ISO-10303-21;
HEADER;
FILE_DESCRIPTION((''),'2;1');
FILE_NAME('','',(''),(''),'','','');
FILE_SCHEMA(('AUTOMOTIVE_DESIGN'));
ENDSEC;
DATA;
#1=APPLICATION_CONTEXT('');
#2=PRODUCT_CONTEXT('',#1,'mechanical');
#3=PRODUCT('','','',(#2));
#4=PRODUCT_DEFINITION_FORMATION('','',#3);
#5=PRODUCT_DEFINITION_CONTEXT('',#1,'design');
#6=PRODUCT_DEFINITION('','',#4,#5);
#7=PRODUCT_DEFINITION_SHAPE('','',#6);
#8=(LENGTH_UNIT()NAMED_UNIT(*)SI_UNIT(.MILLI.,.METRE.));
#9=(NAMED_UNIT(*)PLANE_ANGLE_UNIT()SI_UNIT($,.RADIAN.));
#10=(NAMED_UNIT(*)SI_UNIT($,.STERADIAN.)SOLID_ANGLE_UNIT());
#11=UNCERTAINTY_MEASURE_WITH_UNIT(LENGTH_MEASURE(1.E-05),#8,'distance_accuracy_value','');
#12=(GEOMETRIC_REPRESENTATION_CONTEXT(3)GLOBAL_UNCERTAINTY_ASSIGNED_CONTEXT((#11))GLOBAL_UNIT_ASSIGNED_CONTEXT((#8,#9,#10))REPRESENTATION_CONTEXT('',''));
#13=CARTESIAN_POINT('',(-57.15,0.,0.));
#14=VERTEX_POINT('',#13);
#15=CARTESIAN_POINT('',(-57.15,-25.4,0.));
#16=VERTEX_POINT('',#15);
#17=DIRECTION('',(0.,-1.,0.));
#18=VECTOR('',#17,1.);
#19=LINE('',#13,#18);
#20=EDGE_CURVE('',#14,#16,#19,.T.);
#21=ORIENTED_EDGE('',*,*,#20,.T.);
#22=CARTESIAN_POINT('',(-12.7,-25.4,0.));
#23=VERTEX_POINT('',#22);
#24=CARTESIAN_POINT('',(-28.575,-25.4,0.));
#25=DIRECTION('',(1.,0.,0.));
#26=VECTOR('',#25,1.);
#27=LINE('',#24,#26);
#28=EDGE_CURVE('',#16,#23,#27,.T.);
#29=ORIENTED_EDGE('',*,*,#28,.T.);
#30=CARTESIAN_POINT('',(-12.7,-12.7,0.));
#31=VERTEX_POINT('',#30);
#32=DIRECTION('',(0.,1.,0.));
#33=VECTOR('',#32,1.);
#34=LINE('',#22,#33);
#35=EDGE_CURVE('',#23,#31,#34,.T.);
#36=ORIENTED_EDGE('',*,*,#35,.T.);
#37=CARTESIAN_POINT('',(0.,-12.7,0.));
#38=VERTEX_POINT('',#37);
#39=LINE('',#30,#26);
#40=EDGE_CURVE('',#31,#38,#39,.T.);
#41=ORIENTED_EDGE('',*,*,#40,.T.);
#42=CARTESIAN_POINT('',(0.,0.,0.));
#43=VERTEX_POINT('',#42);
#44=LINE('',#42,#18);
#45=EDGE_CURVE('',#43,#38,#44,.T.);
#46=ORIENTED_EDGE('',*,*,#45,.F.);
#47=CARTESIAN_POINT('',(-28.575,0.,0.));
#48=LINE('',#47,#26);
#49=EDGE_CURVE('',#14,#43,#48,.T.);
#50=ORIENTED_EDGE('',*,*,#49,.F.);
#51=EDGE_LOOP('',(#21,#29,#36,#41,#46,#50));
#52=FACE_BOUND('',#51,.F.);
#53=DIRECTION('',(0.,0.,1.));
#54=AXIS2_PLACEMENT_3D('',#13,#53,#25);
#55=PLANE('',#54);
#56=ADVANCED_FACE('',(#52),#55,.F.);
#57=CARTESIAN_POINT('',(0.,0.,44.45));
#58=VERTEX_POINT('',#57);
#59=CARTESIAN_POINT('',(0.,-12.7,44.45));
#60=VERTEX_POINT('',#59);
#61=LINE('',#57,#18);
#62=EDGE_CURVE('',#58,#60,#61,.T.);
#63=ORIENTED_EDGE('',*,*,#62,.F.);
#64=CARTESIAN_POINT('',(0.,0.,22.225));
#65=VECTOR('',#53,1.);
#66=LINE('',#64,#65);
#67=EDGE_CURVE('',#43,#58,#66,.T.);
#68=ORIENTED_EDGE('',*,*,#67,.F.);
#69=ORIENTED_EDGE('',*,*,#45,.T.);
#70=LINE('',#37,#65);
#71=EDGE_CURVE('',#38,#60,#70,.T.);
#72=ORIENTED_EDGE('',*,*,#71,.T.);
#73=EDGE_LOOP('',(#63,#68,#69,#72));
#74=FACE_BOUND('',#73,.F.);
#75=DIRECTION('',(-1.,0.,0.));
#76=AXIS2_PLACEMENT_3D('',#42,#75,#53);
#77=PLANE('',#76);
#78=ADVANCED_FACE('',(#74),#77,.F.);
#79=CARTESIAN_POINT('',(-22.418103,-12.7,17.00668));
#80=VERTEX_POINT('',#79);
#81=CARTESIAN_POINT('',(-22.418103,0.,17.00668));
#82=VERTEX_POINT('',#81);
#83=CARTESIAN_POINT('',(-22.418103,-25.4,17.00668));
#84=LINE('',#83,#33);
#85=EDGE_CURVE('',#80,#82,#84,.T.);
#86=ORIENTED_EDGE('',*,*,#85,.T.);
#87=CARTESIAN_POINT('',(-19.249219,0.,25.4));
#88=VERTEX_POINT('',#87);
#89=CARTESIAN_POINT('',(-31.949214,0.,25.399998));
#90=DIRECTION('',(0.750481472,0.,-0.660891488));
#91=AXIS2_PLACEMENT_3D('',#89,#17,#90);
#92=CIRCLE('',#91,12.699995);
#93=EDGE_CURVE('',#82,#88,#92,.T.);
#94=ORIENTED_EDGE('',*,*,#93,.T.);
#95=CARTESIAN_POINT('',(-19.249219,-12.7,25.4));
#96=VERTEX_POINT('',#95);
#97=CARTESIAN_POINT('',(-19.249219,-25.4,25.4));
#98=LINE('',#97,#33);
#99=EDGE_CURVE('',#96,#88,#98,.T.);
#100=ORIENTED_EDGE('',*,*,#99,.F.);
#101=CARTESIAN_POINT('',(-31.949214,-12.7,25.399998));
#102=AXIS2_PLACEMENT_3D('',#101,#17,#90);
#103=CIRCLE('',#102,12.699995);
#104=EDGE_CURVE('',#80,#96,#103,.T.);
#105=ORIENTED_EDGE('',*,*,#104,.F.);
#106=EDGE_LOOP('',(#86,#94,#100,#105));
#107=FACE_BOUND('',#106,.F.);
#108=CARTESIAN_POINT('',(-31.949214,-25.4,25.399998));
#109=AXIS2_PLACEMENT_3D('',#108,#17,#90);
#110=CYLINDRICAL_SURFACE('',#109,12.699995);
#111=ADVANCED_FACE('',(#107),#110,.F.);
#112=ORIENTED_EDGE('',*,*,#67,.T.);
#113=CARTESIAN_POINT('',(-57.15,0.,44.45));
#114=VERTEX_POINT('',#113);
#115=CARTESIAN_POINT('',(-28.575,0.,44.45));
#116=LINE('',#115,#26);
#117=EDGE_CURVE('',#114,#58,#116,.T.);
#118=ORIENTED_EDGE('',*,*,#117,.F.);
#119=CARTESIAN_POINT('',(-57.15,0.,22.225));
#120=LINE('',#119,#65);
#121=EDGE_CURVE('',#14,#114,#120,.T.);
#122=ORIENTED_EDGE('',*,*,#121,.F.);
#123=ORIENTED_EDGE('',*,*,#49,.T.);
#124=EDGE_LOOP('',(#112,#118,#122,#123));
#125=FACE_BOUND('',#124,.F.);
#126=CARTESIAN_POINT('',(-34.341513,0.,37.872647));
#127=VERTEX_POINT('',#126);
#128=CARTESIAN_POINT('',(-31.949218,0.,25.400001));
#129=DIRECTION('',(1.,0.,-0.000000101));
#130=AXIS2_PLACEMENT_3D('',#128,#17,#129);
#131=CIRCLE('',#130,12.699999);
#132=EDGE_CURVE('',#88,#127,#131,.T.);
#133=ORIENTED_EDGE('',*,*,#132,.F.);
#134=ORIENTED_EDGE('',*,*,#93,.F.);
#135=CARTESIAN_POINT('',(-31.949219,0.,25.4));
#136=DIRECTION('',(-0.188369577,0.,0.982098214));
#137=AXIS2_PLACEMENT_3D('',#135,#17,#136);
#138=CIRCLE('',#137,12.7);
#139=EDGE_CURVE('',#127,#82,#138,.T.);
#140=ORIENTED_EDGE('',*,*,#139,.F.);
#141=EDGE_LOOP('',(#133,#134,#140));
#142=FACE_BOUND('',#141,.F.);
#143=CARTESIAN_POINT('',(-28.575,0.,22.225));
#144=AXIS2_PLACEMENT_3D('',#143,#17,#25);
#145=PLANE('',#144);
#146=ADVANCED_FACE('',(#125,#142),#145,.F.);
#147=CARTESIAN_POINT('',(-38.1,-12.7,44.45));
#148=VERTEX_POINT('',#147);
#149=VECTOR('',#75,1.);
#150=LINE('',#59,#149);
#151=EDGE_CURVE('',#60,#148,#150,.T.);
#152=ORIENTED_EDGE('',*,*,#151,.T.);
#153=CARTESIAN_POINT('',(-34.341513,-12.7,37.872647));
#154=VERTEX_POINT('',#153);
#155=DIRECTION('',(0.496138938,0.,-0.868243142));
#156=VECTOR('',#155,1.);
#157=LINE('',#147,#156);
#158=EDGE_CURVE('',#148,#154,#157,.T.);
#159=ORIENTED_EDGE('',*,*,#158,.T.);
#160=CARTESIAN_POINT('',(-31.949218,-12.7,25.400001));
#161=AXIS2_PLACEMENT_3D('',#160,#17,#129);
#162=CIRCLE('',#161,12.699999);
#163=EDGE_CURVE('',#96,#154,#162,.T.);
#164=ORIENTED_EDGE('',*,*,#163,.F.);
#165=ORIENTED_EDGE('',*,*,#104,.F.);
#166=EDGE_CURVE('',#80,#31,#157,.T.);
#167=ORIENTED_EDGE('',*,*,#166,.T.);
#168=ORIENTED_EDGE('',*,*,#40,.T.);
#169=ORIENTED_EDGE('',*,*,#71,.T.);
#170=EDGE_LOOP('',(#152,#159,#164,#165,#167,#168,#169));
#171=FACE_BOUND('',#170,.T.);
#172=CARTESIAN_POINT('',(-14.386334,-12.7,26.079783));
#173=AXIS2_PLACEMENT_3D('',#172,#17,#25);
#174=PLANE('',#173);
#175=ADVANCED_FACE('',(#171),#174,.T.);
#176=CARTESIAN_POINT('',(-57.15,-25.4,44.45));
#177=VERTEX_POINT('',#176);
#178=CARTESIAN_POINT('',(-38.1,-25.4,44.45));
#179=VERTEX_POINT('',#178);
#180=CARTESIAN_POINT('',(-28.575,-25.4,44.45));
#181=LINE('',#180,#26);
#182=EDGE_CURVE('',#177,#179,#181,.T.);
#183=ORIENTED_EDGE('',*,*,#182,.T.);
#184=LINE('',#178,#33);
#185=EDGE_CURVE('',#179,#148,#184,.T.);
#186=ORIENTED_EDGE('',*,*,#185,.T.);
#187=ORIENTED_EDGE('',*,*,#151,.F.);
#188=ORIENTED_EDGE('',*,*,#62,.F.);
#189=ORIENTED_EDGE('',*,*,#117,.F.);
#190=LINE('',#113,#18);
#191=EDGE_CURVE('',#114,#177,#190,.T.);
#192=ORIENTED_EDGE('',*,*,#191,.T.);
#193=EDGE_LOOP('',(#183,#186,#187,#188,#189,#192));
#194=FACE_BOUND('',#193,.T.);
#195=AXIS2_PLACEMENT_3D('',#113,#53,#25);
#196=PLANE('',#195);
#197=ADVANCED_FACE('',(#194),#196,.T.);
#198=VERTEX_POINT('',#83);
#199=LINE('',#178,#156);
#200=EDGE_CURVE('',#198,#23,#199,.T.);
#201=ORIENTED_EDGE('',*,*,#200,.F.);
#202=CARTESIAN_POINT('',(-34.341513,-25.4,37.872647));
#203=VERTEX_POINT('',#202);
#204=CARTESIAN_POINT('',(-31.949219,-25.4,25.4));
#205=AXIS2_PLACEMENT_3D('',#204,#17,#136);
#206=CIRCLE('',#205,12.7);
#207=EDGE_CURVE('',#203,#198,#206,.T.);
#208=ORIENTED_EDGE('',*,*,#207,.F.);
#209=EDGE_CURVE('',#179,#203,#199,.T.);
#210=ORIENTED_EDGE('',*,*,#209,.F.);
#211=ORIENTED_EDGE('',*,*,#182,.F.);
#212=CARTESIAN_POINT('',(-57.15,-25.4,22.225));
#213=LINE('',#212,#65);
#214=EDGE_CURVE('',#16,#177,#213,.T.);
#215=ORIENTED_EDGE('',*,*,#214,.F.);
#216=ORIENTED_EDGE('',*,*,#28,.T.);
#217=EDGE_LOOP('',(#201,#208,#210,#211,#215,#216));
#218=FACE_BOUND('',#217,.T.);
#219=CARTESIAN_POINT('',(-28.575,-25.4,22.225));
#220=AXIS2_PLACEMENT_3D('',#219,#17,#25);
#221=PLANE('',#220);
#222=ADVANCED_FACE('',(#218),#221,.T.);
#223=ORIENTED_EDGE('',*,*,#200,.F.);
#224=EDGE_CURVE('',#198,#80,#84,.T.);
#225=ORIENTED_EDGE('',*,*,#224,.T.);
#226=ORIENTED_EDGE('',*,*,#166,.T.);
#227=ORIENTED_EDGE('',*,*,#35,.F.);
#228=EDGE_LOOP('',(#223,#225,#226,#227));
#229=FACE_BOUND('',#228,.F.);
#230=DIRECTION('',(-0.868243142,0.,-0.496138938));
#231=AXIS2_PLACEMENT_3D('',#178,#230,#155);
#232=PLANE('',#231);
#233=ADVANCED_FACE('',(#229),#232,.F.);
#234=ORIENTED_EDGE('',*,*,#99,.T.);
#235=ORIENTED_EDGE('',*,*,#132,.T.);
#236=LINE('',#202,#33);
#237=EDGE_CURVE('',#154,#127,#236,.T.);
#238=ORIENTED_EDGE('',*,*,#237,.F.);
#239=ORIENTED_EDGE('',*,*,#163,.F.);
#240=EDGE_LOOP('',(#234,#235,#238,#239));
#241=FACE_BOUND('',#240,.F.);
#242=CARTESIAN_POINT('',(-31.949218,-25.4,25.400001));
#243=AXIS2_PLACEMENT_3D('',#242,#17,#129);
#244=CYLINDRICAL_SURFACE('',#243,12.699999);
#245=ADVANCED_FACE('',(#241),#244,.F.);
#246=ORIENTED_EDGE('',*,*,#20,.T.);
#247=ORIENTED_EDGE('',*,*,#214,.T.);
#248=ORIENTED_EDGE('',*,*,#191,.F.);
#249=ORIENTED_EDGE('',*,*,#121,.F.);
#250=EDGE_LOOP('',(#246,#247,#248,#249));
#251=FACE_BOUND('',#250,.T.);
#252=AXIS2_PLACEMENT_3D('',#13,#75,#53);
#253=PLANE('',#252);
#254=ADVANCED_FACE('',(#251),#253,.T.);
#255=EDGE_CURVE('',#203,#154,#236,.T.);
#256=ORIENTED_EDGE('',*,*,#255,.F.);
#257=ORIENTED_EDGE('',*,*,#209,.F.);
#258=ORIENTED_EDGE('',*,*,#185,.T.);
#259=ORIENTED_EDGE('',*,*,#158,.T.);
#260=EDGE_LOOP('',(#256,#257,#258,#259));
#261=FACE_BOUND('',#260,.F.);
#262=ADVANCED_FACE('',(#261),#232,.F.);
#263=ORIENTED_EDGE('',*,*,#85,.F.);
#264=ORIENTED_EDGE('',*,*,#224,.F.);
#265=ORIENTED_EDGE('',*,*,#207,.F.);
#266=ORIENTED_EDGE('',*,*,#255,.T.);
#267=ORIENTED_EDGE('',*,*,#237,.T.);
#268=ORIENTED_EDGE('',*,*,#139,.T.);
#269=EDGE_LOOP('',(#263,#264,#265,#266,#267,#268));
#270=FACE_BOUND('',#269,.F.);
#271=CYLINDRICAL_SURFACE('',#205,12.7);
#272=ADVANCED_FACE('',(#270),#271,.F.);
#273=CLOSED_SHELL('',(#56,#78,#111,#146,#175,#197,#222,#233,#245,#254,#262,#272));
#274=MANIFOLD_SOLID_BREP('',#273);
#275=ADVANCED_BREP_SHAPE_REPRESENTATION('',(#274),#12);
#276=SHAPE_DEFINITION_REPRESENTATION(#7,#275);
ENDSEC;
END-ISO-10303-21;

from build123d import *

# Parameters (mm, degrees)
F0_W     = 57.15
F0_H     = 44.45
F1_DEPTH = 25.4
F3_DEPTH = 12.7
F5_DEPTH = 25.4


with BuildPart() as f1:
    # F0 (on Front) → F1 (new body)
    with BuildSketch(Plane.XZ):
        with Locations((-28.575, 22.225)):
            Rectangle(F0_W, F0_H)
    extrude(amount=F1_DEPTH)

    # F2 (on face) → F3 (cut)
    with BuildSketch(Plane.XZ.offset(25.4)):
        Polygon((0, 44.45), (-38.1, 44.45), (-12.7, 0), (0, 0), align=None)
    extrude(amount=-F3_DEPTH, mode=Mode.SUBTRACT)

    # F4 (on face) → F5 (cut)
    with BuildSketch(Plane.XZ.offset(25.4)):
        with BuildLine():
            ThreePointArc((-22.418103, 17.00668), (-20.067822, 20.914199), (-19.249219, 25.4))
            ThreePointArc((-19.249219, 25.4), (-23.858858, 35.18959), (-34.341513, 37.872647))
            Line((-34.341513, 37.872647), (-22.418103, 17.00668))
        make_face()
        with BuildLine():
            Line((-22.418103, 17.00668), (-34.341513, 37.872647))
            ThreePointArc((-34.341513, 37.872647), (-42.975907, 19.099035), (-22.418103, 17.00668))
        make_face()
    extrude(amount=-F5_DEPTH, mode=Mode.SUBTRACT)


solid = f1.part
